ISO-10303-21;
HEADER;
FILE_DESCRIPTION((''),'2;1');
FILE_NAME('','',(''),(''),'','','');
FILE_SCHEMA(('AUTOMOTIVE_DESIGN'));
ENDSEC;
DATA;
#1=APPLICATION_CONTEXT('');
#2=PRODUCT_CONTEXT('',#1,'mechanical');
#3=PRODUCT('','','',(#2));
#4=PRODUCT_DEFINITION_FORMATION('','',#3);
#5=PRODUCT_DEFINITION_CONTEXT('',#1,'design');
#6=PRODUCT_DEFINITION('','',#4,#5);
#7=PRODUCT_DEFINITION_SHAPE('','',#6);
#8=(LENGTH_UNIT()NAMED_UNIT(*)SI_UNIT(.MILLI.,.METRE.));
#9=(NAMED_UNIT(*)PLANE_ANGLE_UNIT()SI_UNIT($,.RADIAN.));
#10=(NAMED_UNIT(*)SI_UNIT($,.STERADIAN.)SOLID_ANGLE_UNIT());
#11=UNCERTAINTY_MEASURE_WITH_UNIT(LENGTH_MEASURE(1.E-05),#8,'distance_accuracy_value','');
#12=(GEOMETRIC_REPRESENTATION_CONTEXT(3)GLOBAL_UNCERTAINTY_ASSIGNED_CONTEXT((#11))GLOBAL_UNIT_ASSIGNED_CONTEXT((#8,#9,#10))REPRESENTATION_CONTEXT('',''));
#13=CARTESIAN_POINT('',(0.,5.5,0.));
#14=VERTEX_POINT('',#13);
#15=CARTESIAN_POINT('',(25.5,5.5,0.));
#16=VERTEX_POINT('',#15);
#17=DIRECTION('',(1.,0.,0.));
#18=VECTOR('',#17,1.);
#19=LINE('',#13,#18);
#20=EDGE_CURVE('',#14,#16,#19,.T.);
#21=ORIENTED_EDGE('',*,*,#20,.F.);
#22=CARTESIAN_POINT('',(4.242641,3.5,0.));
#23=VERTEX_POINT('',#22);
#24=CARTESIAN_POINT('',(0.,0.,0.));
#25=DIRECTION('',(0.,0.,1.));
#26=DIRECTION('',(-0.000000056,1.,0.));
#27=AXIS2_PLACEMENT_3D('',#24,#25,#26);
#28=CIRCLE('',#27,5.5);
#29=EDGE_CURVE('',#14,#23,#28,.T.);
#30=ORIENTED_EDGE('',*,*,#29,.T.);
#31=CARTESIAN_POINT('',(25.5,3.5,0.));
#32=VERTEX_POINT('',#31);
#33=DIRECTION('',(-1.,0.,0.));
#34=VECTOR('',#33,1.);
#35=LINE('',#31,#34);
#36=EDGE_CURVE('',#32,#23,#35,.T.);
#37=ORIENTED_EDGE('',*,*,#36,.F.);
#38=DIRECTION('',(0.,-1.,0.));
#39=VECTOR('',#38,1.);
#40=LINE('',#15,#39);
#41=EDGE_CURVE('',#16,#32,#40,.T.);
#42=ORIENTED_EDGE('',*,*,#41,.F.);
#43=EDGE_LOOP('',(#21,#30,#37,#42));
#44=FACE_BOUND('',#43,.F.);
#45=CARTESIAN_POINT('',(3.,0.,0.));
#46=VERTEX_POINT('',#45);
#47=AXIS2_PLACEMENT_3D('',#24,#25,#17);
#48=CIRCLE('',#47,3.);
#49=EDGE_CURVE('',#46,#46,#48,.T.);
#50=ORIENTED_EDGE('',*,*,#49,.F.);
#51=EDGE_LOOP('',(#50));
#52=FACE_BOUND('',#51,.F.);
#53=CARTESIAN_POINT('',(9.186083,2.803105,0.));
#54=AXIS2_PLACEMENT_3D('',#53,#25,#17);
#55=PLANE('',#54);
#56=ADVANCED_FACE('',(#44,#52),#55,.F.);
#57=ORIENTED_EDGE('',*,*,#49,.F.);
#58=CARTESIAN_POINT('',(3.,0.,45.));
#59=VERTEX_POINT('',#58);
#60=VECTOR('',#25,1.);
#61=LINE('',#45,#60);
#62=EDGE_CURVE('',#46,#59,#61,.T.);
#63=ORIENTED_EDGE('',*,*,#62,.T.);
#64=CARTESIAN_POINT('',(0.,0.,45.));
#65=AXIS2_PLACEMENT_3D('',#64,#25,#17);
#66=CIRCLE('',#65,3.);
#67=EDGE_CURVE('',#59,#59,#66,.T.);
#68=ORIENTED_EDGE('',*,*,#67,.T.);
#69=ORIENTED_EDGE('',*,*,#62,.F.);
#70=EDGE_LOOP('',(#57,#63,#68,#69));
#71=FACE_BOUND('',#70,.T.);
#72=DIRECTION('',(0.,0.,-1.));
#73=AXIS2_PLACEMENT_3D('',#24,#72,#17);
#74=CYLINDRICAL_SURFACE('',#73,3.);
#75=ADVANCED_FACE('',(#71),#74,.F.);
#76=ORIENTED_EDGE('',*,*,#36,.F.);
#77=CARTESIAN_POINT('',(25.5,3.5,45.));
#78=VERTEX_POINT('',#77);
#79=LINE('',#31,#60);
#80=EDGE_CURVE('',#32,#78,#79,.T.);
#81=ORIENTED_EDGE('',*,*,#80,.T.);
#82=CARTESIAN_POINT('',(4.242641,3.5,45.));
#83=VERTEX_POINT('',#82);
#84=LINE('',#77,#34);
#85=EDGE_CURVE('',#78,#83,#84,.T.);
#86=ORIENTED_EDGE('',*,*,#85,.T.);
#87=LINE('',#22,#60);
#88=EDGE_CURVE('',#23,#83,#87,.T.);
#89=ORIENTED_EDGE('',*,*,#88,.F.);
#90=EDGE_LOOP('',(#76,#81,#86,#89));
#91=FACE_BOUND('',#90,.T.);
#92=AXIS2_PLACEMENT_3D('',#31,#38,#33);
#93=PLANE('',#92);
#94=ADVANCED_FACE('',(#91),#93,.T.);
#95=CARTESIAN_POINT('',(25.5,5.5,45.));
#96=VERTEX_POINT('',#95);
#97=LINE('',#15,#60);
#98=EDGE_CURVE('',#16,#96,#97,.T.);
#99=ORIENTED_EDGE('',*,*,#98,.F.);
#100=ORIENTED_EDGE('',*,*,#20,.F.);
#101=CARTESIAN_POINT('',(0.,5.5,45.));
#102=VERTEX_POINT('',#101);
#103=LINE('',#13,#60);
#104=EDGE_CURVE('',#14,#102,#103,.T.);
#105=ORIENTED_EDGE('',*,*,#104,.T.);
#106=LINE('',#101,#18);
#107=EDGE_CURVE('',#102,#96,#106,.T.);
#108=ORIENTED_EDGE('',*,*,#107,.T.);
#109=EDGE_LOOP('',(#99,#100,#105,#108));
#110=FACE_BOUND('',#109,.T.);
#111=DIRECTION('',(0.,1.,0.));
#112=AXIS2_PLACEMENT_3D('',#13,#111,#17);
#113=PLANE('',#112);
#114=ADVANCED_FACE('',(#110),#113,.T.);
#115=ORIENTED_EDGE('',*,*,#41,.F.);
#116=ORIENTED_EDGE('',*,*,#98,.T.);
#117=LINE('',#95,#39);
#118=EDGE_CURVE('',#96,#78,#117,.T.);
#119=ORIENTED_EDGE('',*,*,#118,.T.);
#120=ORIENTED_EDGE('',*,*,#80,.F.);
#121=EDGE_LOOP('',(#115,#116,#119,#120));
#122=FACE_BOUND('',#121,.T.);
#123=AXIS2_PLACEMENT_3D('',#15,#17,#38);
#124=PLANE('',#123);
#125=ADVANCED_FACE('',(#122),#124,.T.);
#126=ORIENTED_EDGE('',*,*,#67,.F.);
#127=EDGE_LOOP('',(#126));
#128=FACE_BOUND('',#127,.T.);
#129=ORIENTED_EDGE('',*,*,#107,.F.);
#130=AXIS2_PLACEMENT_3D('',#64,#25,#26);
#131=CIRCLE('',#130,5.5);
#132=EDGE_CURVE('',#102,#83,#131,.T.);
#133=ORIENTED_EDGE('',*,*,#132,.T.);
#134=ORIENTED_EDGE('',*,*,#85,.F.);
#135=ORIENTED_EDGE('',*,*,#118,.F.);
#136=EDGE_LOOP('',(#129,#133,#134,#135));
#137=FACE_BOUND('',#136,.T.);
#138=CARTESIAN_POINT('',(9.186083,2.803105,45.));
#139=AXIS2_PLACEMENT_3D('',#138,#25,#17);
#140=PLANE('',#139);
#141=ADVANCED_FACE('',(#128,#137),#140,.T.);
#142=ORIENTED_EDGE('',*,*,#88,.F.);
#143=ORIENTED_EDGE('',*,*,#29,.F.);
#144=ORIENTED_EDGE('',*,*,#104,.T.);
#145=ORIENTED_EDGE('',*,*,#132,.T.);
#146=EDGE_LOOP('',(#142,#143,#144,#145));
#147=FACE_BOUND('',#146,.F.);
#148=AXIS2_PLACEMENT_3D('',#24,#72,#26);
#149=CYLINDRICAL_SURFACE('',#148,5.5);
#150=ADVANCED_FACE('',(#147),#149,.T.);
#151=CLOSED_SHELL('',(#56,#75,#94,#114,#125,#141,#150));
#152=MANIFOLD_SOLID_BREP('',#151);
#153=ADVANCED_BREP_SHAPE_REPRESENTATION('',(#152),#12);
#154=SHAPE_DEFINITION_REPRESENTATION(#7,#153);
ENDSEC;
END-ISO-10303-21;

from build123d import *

# Parameters (mm, degrees)
SKETCH_R  = 3
PAD_DEPTH = 45


with BuildPart() as part:
    # Sketch → Pad (new body)
    with BuildSketch(Plane.XY):
        with BuildLine():
            ThreePointArc((0, 5.5), (-2.345208, -4.974937), (4.242641, 3.5))
            Line((25.5, 3.5), (4.242641, 3.5))
            Line((25.5, 5.5), (25.5, 3.5))
            Line((0, 5.5), (25.5, 5.5))
        make_face()
        Circle(SKETCH_R, mode=Mode.SUBTRACT)
    extrude(amount=PAD_DEPTH)


solid = part.part
